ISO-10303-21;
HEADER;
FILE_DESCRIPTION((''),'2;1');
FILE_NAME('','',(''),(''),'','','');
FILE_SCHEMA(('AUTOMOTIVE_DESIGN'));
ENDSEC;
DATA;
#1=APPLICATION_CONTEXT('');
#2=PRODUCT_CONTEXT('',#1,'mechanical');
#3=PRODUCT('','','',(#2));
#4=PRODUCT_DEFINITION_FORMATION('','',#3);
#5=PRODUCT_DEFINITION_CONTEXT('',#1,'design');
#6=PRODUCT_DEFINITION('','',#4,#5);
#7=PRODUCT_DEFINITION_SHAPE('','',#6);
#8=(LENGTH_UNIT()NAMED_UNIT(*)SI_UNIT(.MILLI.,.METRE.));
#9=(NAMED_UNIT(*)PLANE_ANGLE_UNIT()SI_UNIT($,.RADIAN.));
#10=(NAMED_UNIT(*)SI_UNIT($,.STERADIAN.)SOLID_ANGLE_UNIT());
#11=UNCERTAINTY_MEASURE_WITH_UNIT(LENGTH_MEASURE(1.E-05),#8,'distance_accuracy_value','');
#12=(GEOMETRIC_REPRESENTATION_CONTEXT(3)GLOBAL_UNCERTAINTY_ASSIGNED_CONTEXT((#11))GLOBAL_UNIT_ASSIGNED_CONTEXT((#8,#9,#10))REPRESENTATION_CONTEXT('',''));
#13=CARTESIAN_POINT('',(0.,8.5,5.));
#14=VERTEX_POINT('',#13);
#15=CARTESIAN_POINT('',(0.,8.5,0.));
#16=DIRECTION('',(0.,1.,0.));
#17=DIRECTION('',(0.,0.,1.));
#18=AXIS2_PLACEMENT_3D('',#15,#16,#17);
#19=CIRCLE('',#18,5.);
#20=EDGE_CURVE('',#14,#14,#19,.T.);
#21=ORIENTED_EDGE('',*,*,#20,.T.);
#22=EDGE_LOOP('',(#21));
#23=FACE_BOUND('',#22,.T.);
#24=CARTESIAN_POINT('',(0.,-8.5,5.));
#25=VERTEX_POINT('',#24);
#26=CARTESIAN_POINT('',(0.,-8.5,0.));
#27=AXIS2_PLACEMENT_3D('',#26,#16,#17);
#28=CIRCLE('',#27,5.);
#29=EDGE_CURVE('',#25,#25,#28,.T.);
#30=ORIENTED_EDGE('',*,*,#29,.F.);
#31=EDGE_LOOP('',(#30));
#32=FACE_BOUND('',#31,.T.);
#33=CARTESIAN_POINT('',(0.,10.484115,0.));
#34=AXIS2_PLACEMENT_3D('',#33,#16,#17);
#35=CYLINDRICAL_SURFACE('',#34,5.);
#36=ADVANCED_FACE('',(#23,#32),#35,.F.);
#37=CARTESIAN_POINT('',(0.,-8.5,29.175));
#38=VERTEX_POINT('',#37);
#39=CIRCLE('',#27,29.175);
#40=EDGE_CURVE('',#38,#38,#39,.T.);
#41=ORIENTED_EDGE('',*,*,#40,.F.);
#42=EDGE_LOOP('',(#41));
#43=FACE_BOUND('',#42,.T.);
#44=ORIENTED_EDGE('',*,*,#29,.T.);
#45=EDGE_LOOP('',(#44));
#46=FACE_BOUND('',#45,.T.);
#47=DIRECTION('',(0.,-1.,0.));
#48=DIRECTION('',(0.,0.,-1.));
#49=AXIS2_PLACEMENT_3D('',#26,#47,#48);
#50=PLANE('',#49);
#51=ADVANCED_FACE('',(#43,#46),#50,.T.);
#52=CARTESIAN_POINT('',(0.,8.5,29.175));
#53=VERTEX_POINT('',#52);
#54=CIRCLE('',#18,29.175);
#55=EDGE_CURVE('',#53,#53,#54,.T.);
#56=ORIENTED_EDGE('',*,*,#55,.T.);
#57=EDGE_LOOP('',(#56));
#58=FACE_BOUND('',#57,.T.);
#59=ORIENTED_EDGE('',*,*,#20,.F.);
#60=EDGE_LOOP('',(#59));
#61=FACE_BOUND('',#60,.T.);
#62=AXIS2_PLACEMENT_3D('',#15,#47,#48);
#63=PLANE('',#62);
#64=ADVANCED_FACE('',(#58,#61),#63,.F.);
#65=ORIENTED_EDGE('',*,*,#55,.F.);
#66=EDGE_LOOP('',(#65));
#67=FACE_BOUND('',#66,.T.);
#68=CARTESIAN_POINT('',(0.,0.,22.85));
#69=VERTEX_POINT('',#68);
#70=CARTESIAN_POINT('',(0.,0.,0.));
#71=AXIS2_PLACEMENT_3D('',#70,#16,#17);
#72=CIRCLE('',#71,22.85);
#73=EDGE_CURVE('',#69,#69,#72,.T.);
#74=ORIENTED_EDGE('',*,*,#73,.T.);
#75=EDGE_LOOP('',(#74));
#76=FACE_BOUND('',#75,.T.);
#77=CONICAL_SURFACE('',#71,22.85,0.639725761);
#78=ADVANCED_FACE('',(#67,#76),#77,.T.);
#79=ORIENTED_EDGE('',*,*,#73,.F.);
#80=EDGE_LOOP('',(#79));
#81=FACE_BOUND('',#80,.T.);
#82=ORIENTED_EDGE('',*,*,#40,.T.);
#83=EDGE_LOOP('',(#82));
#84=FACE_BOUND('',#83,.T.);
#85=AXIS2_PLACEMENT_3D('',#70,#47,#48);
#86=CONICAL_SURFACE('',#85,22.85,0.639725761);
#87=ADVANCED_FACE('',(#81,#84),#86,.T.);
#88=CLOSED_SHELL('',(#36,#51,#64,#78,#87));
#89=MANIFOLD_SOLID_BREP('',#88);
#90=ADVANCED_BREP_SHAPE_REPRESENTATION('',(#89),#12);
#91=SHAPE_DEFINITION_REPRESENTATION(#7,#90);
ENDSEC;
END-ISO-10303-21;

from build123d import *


with BuildPart() as part:
    # Croquis1 → Revolución1 (revolve)
    with BuildSketch(Plane.XY, mode=Mode.PRIVATE) as revoluci_n1_sk:
        Polygon((-5, 0), (-5, 8.5), (-29.175, 8.5), (-22.85, 0), align=None)
        Polygon((-5, -8.5), (-5, 0), (-22.85, 0), (-29.175, -8.5), align=None)
    revolve(revoluci_n1_sk.sketch.rotate(Axis((0, 10.48411544, 0), (0, -1, 0)), 270), axis=Axis((0, 10.48411544, 0), (0, -1, 0)))


solid = part.part
